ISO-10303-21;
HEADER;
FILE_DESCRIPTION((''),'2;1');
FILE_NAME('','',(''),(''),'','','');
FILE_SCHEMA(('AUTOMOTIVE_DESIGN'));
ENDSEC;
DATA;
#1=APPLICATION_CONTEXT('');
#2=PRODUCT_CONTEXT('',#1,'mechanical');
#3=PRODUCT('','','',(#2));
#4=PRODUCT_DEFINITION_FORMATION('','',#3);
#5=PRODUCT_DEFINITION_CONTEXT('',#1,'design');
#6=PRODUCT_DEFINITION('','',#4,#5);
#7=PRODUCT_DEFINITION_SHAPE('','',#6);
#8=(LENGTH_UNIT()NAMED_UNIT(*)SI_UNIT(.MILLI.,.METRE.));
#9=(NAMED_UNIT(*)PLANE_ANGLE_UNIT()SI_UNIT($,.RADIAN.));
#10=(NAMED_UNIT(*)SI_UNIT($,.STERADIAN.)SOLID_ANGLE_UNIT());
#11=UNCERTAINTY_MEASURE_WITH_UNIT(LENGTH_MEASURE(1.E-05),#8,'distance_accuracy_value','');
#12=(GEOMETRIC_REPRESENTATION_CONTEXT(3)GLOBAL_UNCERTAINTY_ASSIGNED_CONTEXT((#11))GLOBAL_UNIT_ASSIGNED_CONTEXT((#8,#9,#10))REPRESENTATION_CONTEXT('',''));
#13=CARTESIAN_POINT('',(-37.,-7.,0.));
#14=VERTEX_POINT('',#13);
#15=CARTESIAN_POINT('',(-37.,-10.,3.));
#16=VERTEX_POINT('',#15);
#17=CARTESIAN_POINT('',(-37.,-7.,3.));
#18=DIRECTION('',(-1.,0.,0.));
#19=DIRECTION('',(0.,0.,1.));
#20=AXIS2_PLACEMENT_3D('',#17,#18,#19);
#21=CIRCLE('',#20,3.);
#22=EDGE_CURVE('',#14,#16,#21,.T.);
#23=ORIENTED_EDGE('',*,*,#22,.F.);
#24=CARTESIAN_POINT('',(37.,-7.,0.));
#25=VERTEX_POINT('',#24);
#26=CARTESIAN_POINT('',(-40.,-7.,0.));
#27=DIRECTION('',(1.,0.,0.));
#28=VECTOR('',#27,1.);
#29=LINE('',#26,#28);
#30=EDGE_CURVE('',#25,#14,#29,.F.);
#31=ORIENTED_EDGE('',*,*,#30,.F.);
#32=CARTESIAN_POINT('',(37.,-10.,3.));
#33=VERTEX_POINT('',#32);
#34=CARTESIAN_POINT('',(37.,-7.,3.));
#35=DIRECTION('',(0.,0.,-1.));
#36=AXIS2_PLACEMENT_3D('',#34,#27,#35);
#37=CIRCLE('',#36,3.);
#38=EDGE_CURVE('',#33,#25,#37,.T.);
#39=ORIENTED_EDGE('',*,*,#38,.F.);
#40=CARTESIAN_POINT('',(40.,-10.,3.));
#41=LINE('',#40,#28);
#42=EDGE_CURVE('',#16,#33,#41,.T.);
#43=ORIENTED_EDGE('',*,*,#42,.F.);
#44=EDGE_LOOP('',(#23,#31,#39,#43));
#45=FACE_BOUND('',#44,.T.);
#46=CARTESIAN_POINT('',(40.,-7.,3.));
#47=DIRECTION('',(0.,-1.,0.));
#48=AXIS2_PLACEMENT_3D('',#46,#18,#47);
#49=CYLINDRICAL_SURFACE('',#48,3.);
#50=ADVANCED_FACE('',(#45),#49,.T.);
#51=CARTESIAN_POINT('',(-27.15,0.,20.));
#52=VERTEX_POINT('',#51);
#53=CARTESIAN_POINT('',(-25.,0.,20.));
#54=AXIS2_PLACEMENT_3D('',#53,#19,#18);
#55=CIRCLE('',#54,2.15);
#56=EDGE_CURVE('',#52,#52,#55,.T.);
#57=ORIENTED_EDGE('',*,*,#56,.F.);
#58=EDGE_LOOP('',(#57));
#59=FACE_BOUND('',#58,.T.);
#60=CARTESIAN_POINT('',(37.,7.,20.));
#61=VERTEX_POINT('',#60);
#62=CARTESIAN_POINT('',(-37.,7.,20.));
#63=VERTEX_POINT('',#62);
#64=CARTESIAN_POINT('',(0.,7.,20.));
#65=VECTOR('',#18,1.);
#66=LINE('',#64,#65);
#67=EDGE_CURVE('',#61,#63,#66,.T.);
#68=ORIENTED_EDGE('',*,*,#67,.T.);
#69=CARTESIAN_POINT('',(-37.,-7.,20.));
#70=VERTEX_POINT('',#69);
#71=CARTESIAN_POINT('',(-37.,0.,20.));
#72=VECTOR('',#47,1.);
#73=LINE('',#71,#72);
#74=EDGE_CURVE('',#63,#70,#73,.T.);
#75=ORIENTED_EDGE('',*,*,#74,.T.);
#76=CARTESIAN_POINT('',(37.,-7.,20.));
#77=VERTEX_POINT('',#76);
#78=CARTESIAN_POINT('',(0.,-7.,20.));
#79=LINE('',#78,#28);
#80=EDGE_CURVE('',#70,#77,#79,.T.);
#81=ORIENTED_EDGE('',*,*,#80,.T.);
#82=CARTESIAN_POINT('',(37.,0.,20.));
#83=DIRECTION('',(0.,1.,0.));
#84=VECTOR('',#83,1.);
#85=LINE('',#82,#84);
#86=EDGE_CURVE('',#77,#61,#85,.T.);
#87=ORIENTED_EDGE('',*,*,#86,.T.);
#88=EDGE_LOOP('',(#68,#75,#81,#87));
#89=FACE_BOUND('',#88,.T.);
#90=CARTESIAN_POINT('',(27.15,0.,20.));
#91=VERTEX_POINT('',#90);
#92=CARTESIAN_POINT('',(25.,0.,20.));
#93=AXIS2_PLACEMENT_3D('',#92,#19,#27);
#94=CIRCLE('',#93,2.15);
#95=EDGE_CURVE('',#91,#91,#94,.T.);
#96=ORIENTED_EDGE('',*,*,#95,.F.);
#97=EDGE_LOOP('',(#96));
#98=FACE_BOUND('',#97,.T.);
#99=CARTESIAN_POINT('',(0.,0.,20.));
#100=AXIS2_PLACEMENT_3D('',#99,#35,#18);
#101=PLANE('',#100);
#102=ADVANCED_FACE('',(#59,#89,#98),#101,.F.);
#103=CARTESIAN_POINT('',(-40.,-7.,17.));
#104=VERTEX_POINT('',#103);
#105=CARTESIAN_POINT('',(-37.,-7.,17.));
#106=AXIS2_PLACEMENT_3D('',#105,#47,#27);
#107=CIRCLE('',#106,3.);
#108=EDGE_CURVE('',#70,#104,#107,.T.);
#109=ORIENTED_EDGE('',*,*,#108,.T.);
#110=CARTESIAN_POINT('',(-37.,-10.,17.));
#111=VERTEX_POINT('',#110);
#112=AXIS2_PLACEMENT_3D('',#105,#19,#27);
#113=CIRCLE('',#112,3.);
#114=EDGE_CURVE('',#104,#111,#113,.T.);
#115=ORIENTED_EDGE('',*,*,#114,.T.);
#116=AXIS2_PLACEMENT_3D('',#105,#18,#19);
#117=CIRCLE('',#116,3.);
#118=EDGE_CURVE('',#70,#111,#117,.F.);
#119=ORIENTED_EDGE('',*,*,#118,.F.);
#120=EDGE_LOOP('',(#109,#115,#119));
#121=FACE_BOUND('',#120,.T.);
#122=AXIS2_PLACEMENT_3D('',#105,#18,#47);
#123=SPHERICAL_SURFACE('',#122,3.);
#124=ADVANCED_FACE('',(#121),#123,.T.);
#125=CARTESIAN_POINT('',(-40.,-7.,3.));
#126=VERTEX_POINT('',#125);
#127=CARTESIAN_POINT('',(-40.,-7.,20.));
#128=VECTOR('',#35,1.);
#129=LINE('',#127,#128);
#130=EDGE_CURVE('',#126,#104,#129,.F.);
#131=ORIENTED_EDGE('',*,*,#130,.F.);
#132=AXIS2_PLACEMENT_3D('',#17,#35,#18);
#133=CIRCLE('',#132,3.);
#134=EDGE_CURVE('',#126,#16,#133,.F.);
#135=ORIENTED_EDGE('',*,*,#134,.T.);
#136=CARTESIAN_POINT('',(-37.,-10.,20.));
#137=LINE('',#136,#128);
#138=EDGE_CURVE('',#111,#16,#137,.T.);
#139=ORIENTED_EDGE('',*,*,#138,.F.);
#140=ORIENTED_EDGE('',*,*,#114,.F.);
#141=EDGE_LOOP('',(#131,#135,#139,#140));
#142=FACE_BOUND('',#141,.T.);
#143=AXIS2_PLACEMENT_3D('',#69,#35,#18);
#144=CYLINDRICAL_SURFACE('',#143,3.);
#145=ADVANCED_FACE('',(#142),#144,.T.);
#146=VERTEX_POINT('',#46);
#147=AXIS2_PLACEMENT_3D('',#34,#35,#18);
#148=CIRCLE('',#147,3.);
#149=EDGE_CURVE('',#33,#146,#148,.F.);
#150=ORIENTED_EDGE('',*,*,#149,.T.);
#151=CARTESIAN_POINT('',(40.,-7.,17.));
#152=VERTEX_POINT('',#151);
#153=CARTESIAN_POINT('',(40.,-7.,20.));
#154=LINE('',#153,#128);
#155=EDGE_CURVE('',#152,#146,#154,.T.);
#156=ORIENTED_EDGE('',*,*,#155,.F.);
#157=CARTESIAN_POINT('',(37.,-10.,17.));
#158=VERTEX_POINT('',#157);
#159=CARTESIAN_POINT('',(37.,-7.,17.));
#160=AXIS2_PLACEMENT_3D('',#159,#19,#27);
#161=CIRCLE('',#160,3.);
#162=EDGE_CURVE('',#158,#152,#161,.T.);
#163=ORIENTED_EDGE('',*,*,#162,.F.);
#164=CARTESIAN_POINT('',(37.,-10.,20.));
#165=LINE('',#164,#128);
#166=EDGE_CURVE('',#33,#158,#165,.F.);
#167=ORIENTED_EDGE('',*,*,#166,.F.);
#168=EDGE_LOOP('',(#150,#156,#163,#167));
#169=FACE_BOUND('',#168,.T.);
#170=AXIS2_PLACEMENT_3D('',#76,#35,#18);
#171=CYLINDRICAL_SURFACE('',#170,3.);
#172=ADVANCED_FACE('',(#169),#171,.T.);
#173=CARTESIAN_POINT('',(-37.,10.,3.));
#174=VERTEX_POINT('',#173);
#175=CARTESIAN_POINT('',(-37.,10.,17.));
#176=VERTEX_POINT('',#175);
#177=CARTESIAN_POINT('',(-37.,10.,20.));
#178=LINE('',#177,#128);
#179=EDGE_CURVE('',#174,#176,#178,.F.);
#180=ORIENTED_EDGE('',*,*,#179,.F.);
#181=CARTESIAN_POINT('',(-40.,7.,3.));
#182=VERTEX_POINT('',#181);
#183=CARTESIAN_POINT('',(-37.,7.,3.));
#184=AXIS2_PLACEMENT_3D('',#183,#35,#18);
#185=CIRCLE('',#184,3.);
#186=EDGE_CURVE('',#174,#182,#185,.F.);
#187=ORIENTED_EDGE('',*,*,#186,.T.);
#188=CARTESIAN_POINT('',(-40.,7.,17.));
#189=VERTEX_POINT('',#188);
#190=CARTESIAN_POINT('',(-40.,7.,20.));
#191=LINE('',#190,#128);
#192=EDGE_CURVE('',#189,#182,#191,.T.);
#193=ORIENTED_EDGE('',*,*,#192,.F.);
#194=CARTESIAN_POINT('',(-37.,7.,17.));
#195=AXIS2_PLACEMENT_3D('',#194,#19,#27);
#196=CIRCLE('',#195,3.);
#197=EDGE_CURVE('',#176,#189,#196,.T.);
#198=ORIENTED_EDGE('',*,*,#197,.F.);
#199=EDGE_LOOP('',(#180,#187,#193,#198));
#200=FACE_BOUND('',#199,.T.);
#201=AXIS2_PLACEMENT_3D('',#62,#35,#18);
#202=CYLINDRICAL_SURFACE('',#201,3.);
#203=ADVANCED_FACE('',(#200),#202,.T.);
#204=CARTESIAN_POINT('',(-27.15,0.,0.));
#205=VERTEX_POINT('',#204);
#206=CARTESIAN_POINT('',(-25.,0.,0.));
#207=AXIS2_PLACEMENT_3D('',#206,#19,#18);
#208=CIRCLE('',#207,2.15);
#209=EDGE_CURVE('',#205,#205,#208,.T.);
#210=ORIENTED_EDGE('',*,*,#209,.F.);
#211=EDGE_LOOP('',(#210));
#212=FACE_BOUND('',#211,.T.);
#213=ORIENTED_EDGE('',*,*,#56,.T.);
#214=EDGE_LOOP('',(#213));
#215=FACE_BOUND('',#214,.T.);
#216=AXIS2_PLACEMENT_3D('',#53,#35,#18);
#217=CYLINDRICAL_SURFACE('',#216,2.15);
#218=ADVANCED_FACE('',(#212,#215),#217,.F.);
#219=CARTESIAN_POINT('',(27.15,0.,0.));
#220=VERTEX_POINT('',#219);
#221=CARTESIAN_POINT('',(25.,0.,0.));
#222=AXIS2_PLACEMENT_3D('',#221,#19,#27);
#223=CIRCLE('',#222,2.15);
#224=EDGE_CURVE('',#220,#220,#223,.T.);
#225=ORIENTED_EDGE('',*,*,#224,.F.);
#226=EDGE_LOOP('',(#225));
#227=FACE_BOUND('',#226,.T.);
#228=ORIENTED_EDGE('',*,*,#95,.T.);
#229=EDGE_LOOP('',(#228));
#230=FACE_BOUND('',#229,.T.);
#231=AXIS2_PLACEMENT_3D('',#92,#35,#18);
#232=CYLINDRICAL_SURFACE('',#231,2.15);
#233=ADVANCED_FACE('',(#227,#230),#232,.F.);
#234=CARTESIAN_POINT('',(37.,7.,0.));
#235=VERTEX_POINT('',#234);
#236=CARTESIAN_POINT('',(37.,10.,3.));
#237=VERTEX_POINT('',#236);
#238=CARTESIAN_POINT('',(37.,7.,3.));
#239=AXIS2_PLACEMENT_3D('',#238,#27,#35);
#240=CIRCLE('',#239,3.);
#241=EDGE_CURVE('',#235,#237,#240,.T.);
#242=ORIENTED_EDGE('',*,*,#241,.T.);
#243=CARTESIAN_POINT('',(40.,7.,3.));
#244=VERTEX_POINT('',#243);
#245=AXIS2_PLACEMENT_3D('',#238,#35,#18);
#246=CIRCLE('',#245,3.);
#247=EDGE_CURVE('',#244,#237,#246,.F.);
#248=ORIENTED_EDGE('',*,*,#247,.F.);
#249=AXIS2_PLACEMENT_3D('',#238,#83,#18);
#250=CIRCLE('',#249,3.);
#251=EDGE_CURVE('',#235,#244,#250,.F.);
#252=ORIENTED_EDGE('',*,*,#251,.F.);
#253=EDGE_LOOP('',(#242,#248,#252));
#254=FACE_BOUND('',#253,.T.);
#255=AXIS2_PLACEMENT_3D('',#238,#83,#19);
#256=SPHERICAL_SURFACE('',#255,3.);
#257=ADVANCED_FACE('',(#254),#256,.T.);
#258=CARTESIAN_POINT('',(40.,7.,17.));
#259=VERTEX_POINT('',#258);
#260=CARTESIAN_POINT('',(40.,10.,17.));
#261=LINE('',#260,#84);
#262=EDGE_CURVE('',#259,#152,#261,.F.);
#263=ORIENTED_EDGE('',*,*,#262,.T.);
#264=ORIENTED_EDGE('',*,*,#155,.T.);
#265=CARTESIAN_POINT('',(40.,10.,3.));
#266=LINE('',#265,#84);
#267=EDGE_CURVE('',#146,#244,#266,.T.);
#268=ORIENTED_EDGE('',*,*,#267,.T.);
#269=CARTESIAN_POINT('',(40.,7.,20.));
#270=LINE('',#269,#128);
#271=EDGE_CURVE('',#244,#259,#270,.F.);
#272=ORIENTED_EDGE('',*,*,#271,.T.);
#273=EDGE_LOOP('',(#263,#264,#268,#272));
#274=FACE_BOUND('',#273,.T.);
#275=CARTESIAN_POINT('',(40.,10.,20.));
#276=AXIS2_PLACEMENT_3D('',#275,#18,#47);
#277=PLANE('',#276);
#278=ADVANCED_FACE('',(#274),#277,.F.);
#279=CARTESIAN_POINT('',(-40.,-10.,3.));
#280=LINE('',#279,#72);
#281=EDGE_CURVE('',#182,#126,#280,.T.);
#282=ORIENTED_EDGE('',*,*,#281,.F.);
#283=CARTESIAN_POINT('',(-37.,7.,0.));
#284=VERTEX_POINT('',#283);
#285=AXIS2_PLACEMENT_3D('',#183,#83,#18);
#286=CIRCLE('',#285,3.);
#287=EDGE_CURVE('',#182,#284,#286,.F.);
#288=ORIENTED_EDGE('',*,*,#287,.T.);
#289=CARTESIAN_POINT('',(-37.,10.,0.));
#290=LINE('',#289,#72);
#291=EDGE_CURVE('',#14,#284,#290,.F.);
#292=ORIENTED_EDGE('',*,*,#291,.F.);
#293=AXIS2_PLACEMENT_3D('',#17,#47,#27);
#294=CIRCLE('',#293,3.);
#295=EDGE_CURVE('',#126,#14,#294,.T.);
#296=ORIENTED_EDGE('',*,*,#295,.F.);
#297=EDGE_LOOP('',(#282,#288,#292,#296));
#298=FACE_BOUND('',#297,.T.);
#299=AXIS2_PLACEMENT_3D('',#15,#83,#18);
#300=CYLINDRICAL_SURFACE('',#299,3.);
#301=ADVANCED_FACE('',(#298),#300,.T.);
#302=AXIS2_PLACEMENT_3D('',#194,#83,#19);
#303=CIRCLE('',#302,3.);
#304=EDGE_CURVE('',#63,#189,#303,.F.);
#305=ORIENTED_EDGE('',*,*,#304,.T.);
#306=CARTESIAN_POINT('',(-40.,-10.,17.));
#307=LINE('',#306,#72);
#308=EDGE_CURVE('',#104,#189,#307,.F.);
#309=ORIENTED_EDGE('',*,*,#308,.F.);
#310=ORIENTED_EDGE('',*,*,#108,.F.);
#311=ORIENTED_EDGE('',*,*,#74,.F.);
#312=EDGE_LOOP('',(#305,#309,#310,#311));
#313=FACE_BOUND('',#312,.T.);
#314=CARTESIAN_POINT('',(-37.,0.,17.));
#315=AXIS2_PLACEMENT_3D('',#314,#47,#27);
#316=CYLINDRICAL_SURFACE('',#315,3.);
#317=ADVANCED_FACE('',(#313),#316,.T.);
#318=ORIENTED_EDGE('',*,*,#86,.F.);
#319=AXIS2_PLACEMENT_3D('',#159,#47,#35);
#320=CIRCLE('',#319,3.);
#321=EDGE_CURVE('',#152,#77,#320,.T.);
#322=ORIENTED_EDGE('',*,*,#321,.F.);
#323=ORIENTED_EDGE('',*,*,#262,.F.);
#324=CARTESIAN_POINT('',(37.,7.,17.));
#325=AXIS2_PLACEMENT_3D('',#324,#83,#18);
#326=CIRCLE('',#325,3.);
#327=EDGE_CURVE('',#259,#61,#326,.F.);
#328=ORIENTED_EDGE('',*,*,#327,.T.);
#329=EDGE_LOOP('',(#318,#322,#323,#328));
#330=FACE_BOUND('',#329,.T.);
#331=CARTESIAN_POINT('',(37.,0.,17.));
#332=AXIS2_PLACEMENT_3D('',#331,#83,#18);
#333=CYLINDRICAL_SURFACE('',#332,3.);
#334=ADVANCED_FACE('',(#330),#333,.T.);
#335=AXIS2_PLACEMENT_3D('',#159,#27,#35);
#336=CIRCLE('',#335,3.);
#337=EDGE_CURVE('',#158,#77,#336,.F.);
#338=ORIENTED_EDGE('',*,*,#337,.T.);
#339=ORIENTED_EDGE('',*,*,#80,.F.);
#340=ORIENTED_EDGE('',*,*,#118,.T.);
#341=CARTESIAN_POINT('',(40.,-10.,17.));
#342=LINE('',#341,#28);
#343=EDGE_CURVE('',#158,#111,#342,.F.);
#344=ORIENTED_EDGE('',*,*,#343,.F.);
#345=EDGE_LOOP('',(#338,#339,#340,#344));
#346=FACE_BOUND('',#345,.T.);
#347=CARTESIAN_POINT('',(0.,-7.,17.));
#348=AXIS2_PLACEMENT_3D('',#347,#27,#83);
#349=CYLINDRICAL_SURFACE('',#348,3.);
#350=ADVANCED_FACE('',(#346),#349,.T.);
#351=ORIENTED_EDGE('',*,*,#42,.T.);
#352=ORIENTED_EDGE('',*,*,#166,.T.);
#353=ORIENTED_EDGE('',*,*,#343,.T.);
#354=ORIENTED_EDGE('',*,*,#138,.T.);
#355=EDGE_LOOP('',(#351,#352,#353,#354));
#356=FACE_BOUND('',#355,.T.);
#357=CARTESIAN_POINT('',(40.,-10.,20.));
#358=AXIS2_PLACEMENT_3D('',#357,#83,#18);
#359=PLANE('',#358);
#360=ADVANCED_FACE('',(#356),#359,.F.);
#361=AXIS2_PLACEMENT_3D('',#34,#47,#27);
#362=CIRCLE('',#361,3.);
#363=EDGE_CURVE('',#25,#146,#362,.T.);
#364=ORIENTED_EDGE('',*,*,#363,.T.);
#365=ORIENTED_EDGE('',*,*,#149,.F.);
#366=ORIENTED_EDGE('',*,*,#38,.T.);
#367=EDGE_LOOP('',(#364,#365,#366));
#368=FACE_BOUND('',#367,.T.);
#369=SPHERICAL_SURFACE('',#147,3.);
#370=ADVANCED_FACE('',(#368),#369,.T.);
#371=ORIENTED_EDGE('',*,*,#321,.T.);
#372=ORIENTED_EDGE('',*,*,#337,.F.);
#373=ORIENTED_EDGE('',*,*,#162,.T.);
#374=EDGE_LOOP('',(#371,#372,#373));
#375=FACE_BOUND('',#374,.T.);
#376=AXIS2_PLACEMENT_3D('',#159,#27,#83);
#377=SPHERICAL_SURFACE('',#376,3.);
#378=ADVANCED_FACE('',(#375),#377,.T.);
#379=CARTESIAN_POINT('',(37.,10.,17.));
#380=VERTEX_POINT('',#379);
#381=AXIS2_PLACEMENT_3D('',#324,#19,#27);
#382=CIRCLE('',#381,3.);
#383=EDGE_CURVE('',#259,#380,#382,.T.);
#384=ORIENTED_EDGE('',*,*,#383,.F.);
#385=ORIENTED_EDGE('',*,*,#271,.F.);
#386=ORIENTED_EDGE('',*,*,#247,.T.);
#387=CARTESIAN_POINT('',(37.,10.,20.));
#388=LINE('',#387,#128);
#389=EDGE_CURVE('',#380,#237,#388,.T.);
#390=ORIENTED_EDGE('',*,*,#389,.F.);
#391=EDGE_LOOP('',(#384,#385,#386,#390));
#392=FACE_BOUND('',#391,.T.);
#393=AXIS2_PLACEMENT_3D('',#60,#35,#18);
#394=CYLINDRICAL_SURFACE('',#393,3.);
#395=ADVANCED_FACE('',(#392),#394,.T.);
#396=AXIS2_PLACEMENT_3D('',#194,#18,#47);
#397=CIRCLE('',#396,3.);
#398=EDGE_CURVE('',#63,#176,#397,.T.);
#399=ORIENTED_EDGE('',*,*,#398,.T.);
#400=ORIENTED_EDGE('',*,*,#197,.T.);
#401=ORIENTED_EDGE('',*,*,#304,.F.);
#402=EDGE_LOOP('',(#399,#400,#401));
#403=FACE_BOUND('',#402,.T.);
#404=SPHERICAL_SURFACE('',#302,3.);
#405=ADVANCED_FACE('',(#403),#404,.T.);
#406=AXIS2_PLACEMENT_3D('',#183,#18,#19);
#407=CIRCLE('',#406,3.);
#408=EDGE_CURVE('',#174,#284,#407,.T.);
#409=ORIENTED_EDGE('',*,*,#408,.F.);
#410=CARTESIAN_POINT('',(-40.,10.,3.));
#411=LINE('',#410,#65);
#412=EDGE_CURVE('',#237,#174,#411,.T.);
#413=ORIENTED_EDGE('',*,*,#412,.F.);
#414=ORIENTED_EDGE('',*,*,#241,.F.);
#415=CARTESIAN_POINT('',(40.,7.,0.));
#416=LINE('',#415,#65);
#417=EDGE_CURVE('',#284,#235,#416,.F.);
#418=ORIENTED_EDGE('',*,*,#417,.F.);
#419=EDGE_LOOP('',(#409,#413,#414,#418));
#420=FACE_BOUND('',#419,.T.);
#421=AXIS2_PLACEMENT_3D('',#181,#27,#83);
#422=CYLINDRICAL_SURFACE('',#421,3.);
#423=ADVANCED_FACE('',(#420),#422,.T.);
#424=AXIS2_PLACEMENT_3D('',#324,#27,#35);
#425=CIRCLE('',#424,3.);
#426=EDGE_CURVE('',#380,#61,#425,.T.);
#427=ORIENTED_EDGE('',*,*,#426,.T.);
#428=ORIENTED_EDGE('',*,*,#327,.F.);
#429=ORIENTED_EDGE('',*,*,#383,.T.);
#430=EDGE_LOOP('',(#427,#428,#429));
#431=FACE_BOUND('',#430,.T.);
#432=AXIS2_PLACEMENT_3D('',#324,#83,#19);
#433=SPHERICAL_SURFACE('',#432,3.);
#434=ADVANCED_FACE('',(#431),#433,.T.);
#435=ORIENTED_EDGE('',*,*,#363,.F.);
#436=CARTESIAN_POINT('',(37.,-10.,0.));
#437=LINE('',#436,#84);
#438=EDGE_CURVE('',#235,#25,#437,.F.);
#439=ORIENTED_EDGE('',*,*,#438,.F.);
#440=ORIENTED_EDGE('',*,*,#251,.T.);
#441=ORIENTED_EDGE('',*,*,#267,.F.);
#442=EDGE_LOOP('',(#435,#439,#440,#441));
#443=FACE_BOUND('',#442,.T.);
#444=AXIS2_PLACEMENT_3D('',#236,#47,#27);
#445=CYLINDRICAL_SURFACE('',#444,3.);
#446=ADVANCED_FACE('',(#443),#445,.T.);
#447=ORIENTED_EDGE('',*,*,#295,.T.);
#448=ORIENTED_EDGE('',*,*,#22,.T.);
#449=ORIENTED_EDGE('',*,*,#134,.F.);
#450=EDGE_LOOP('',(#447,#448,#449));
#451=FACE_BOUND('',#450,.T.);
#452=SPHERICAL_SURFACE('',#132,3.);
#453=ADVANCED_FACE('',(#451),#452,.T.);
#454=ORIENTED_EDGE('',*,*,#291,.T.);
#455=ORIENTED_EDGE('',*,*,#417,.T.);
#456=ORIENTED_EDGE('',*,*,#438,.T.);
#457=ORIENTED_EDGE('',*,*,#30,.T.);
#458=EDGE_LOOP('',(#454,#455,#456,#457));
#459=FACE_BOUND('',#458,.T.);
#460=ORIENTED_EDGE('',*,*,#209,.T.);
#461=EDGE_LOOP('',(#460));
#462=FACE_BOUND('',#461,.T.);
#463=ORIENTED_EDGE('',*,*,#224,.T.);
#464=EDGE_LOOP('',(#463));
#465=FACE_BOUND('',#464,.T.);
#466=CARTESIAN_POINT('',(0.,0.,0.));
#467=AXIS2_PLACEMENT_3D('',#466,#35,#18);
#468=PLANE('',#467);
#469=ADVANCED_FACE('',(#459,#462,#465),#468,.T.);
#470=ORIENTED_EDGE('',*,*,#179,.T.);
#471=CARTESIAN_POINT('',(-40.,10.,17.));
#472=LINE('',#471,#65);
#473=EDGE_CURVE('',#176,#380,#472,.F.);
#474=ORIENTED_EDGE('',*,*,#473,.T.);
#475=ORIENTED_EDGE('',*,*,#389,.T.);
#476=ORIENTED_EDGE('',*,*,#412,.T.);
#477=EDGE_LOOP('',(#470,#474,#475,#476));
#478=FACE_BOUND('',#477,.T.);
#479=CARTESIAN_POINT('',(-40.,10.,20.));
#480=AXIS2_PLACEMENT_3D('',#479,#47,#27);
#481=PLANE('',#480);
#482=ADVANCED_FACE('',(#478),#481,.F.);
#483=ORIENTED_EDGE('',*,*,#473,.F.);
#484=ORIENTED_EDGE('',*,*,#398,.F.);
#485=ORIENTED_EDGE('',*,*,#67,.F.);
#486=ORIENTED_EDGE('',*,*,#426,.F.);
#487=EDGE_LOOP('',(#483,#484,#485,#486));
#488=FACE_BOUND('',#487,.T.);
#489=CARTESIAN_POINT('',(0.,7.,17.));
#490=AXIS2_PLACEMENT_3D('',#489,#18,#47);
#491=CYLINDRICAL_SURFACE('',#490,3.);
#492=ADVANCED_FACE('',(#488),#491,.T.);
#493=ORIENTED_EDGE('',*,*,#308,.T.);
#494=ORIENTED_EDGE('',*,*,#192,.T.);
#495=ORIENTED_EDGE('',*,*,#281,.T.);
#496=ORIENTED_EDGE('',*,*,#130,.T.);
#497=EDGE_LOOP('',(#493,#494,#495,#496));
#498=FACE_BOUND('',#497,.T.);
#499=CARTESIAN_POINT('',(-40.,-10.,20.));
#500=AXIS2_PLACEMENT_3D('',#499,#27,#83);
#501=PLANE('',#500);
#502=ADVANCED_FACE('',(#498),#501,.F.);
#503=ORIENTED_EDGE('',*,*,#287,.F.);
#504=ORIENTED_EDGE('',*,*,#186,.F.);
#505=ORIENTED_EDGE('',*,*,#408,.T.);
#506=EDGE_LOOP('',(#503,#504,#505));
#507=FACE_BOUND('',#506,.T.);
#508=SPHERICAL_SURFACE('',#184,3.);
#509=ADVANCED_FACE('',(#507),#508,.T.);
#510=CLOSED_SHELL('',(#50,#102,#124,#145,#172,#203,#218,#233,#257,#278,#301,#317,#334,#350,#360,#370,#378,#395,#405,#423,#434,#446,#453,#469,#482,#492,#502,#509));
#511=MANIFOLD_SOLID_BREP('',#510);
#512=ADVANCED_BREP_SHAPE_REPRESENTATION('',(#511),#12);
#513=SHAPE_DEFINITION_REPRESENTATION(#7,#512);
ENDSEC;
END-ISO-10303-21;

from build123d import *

# Parameters (mm, degrees)
CROQUIS1_W              = 80
CROQUIS1_H              = 20
CROQUIS1_R              = 2.15
SALIENTE_EXTRUIR1_DEPTH = 20
REDONDEO1_R             = 3


with BuildPart() as part:
    # Croquis1 → Saliente-Extruir1 (new body)
    with BuildSketch(Plane.XY):
        Rectangle(CROQUIS1_W, CROQUIS1_H)
        with Locations((25, 0)):
            Circle(CROQUIS1_R, mode=Mode.SUBTRACT)
        with Locations(Location((-25, 0, 0), (0, 0, 180))):
            Circle(CROQUIS1_R, mode=Mode.SUBTRACT)
    extrude(amount=SALIENTE_EXTRUIR1_DEPTH)

    # Redondeo1
    redondeo1_edges = [part.edges().sort_by_distance(p)[0] for p in [
        (40, 0, 20),
        (0, 10, 20),
        (-40, 0, 20),
        (0, 10, 0),
        (40, 0, 0),
        (0, -10, 0),
        (-40, 0, 0),
        (-40, 10, 10),
        (40, 10, 10),
        (40, -10, 10),
        (-40, -10, 10),
        (0, -10, 20),
    ]]
    fillet(redondeo1_edges, radius=REDONDEO1_R)


solid = part.part
